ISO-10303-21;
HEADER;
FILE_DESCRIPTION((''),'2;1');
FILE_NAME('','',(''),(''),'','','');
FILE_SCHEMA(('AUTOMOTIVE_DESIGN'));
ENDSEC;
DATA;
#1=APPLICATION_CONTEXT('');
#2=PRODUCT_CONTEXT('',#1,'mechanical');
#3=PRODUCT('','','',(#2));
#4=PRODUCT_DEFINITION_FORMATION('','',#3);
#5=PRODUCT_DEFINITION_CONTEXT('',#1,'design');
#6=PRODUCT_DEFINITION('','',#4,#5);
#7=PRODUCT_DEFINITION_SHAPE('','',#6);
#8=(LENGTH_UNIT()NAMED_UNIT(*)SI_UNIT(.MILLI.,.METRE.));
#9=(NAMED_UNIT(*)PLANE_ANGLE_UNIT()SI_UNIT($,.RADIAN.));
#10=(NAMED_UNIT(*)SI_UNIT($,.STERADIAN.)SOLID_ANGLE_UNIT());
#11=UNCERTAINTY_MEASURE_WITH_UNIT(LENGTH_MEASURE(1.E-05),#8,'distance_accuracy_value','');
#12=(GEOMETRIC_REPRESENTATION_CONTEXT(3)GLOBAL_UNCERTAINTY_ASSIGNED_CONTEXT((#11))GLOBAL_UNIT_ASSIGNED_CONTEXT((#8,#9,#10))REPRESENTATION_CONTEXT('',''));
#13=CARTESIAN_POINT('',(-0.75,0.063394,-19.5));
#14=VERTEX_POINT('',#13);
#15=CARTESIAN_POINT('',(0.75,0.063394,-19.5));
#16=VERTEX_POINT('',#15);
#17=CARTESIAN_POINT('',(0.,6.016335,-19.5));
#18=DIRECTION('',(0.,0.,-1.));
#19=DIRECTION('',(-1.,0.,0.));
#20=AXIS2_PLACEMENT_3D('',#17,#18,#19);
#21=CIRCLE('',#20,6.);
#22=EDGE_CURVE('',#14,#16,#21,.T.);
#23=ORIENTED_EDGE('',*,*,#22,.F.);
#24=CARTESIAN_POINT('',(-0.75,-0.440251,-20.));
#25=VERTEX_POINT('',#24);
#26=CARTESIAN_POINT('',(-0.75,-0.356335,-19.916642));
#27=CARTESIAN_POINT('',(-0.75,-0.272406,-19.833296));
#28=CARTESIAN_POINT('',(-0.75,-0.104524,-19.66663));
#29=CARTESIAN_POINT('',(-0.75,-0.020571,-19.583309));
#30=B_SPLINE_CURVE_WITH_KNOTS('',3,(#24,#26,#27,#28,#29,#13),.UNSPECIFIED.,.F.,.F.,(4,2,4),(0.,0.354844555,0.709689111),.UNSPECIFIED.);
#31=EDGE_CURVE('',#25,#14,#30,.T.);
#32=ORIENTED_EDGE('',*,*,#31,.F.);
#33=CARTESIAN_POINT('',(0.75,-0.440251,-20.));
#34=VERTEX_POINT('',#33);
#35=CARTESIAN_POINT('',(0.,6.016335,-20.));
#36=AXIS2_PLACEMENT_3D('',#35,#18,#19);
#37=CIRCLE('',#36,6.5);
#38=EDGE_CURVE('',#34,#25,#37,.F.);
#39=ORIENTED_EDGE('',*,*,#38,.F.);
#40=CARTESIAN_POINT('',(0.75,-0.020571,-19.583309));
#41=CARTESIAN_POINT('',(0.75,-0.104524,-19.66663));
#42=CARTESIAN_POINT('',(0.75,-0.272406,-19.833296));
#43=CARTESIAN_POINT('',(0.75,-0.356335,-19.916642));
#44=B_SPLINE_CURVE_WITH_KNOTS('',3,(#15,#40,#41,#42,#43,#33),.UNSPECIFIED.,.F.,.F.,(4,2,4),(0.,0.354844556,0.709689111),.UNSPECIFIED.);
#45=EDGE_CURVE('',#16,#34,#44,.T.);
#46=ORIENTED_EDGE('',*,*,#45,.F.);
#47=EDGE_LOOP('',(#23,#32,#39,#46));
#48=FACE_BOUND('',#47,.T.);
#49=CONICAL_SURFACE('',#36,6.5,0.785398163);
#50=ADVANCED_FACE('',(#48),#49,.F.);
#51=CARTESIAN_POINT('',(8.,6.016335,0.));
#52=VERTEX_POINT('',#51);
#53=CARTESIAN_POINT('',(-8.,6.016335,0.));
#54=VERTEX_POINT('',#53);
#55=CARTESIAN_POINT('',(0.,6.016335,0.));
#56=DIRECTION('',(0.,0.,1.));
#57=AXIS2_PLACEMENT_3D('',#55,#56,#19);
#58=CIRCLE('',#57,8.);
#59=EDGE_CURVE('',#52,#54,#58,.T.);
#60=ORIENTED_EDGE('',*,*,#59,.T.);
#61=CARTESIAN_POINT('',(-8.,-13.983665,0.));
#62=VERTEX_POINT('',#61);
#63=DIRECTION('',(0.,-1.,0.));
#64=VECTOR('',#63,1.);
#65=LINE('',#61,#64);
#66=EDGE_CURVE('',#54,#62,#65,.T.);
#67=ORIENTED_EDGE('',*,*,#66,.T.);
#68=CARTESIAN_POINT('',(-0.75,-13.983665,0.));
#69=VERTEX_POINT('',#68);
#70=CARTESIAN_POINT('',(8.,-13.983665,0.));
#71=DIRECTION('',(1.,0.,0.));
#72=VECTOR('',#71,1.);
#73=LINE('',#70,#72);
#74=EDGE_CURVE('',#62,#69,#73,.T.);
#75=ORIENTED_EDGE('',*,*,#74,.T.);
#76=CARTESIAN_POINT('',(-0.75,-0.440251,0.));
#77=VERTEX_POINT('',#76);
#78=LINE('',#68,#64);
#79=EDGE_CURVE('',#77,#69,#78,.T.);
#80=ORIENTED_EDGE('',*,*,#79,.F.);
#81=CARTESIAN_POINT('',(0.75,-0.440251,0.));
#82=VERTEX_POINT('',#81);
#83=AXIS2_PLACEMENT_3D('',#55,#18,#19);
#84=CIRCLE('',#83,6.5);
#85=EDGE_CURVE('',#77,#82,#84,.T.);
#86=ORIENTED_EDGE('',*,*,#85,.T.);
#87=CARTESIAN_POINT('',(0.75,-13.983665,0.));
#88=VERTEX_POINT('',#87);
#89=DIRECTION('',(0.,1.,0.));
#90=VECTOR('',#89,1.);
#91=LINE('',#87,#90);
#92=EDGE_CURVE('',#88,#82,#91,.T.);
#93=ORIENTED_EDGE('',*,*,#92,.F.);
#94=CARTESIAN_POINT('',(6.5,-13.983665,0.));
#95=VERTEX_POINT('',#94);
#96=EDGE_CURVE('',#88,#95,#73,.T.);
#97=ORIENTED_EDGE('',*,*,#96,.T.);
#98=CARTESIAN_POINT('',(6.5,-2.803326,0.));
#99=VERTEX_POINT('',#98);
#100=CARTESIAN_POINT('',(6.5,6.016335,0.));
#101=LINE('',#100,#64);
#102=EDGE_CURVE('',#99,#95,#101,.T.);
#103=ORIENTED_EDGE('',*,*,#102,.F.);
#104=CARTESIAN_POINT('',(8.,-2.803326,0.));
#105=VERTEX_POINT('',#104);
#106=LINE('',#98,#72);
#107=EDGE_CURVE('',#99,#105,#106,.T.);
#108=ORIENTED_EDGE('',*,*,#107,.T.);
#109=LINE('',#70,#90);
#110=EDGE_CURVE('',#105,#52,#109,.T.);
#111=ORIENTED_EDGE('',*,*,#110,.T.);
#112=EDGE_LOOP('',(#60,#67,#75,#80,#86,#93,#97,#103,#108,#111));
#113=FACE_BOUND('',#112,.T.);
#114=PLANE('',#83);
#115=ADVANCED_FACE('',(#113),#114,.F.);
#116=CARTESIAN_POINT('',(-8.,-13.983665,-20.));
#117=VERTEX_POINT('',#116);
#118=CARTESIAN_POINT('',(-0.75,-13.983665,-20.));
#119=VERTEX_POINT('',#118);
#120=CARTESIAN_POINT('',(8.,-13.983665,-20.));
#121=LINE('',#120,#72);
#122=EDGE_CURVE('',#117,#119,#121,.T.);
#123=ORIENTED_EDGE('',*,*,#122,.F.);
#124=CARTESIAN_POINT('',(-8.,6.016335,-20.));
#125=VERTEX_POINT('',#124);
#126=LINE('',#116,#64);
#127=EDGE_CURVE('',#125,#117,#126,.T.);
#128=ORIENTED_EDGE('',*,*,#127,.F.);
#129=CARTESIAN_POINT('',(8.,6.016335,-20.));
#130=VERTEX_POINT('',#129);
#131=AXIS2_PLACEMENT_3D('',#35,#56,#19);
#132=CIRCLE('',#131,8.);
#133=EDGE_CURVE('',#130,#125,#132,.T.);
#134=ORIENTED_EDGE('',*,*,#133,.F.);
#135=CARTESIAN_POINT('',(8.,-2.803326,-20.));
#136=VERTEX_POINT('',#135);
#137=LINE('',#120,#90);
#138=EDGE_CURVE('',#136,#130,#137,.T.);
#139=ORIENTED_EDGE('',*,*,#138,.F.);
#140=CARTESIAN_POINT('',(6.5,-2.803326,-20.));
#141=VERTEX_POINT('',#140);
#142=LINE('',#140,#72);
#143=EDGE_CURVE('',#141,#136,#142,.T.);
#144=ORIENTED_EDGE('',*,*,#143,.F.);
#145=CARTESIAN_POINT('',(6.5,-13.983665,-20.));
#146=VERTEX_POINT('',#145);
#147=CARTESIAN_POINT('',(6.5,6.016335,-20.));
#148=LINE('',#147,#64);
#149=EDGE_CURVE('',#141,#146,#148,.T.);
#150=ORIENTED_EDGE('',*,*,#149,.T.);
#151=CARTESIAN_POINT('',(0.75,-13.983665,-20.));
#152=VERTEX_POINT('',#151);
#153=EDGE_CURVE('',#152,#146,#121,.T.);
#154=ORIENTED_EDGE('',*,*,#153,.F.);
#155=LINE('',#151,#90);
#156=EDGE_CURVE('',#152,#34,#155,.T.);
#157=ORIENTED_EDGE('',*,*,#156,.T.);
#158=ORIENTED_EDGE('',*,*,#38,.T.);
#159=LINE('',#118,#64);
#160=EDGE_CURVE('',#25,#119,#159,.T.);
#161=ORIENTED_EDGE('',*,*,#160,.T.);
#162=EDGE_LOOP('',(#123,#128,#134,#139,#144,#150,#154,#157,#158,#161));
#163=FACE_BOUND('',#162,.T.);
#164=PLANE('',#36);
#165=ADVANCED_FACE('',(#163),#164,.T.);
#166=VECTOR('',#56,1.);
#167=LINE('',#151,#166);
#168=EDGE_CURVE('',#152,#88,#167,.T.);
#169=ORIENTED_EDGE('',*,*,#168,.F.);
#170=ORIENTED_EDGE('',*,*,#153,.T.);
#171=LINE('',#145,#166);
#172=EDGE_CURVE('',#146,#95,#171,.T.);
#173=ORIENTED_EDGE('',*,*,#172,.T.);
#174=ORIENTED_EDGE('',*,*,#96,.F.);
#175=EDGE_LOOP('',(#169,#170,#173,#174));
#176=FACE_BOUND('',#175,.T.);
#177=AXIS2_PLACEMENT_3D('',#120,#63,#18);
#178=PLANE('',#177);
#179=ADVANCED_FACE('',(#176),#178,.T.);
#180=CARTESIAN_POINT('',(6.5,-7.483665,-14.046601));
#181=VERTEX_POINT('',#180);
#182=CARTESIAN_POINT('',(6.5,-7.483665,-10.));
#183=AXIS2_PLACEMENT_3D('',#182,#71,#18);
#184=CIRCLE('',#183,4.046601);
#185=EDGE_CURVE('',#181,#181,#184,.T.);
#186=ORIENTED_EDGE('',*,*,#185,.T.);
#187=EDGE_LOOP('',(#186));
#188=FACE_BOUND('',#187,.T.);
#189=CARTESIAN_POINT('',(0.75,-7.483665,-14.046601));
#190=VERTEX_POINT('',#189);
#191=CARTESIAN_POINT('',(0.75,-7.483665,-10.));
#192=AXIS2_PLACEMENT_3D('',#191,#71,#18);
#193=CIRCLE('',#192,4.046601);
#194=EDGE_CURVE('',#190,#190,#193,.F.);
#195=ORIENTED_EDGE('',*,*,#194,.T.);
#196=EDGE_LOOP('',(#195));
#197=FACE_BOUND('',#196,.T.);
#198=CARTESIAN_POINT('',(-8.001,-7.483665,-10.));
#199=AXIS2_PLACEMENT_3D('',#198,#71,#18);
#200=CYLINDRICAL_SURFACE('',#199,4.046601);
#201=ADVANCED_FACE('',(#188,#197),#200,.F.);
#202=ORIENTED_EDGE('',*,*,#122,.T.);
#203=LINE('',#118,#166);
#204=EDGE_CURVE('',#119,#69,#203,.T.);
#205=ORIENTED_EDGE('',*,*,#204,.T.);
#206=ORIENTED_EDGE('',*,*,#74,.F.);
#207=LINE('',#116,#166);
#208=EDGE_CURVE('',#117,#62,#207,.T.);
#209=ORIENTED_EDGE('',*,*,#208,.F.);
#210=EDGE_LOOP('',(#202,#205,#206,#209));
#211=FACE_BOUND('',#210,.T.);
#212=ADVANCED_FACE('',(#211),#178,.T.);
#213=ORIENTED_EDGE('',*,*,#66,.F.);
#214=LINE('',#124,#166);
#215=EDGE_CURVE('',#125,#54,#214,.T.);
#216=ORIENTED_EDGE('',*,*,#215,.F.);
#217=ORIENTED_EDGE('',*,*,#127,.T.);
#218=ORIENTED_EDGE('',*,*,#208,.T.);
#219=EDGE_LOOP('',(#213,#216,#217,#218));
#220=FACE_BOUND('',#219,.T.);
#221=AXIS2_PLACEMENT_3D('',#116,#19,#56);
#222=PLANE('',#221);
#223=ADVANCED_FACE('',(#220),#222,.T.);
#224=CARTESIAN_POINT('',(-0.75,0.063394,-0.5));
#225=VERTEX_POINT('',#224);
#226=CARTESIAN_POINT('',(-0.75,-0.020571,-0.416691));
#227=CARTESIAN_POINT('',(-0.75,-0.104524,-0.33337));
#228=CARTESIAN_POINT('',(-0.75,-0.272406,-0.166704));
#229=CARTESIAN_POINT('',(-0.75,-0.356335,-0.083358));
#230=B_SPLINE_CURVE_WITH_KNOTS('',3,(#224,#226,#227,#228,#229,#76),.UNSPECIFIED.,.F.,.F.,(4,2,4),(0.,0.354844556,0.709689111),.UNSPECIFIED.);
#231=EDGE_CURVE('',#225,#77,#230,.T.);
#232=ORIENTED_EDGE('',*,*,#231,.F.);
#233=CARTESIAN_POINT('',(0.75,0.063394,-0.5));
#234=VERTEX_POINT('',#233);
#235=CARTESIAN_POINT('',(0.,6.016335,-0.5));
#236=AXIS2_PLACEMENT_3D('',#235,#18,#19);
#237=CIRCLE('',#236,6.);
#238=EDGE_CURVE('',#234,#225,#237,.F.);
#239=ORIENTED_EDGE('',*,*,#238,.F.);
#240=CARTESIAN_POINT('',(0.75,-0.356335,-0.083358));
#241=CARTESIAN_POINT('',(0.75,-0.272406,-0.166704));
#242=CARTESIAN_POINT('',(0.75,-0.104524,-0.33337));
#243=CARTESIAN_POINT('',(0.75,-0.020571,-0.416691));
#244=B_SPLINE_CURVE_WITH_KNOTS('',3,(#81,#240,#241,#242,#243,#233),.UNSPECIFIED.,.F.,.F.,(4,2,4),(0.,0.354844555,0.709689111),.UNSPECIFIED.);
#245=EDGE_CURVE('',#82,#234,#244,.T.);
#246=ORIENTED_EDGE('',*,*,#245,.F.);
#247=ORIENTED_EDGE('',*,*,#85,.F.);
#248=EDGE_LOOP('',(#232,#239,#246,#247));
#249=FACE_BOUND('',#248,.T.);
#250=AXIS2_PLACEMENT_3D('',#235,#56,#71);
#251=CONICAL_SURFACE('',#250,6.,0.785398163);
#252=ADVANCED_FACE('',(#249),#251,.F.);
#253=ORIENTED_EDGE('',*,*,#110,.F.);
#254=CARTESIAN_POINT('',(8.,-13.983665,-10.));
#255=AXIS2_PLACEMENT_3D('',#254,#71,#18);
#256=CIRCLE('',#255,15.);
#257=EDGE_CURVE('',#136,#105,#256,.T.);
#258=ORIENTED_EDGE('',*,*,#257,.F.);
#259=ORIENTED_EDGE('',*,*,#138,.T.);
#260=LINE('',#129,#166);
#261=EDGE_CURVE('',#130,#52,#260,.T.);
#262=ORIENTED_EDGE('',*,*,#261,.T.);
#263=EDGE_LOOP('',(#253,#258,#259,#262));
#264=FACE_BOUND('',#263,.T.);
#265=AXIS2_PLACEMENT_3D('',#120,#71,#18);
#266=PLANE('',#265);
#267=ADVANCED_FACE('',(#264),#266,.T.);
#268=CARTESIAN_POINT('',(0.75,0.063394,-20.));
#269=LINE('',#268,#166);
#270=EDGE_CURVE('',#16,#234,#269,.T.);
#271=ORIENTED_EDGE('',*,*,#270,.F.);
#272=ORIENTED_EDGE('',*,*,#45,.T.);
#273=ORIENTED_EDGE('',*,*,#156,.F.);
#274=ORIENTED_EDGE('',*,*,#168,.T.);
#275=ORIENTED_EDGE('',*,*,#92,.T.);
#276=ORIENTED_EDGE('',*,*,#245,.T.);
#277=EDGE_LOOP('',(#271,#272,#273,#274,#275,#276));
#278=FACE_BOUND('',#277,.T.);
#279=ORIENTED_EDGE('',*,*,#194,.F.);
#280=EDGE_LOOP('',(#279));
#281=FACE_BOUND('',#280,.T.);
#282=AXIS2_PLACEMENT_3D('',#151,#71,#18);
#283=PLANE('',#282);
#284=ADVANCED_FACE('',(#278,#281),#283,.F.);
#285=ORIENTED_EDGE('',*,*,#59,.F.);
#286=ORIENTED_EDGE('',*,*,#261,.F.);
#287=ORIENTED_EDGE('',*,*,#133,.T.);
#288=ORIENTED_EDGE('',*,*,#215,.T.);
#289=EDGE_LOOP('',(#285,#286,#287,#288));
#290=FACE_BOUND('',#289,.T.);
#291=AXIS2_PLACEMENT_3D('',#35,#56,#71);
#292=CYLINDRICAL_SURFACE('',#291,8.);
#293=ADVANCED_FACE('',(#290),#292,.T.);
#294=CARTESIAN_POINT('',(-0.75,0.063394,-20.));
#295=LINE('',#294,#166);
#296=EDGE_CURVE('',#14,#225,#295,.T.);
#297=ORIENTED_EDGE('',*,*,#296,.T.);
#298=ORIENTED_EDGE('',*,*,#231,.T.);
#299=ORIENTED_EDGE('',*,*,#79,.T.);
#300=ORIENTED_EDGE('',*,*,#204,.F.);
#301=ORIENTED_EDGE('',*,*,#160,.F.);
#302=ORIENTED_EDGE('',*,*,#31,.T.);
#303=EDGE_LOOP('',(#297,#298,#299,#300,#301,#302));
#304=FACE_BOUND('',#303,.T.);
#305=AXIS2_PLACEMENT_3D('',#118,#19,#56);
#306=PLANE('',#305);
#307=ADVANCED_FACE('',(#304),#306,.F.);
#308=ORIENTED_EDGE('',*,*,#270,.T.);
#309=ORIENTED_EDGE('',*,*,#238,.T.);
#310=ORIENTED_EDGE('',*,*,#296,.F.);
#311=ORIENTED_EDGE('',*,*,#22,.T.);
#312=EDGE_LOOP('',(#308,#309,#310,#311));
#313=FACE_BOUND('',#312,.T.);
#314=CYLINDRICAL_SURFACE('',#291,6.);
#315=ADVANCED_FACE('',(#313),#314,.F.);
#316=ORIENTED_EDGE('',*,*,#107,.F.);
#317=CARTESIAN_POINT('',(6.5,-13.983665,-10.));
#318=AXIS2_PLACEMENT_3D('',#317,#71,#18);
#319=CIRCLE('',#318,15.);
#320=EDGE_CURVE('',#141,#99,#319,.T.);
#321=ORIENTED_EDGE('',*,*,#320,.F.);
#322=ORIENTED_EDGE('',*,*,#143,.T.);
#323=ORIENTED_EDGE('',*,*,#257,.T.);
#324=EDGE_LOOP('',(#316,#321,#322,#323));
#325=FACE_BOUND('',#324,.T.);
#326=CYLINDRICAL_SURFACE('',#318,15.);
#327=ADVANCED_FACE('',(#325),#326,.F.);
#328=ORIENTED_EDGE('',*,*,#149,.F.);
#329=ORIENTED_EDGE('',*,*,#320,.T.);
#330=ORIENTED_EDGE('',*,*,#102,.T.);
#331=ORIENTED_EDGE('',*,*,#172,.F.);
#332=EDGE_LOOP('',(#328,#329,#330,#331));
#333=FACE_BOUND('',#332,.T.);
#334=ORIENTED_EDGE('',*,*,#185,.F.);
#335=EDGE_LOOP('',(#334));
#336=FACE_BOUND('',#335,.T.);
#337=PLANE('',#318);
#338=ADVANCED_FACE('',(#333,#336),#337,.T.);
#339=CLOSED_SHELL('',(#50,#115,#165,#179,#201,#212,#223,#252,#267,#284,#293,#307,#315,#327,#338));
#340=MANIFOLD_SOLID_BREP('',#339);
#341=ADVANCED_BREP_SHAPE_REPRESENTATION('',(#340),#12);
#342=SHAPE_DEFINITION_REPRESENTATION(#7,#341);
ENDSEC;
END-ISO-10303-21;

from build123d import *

# Parameters (mm, degrees)
ESTRUSIONE_ESTRUSIONE1_DEPTH = 20
SCHIZZO3_R                   = 6
TAGLIO_ESTRUSIONE1_DEPTH     = 26.699370322
SCHIZZO4_W                   = 1.5
SCHIZZO4_H                   = 14.04705955
TAGLIO_ESTRUSIONE2_DEPTH     = 26.699370322
SCHIZZO5_R                   = 15
TAGLIO_ESTRUSIONE3_DEPTH     = 1.5
TAGLIO_ESTRUSIONE4_REACH     = 30.403
SCHIZZO6_R                   = 4.046600507
SMUSSO2_SIZE                 = 0.5
SMUSSO3_SIZE                 = 0.5


with BuildPart() as part:
    # Schizzo2 → Estrusione-Estrusione1 (new body)
    with BuildSketch(Plane.XY):
        with BuildLine():
            Line((8, -13.983665425), (-8, -13.983665425))
            Line((-8, -13.983665425), (-8, 6.016334575))
            ThreePointArc((-8, 6.016334575), (0, 14.016334575), (8, 6.016334575))
            Line((8, 6.016334575), (8, -13.983665425))
        make_face()
    extrude(amount=-ESTRUSIONE_ESTRUSIONE1_DEPTH)

    # Schizzo3 → Taglio-Estrusione1 (cut, through all)
    with BuildSketch(Plane.XY):
        with Locations((0, 6.016334575)):
            Circle(SCHIZZO3_R)
    extrude(amount=-TAGLIO_ESTRUSIONE1_DEPTH, mode=Mode.SUBTRACT)

    # Schizzo4 → Taglio-Estrusione2 (cut, through all)
    with BuildSketch(Plane.XY):
        with Locations((0, -6.96013565)):
            Rectangle(SCHIZZO4_W, SCHIZZO4_H)
    extrude(amount=-TAGLIO_ESTRUSIONE2_DEPTH, mode=Mode.SUBTRACT)

    # Schizzo5 → Taglio-Estrusione3 (cut)
    with BuildSketch(Plane(origin=(8, 0, 0), x_dir=(0, 0, -1), z_dir=(1, 0, 0))):
        with Locations((10, -13.983665425)):
            Circle(SCHIZZO5_R)
    extrude(amount=-TAGLIO_ESTRUSIONE3_DEPTH, mode=Mode.SUBTRACT)

    # Schizzo6 → Taglio-Estrusione4 (cut, up to next)
    with BuildSketch(Plane(origin=(6.5, 0, 0), x_dir=(0, 0, -1), z_dir=(1, 0, 0)), mode=Mode.PRIVATE) as taglio_estrusione4_sk1:
        with Locations((10, -7.483665425)):
            Circle(SCHIZZO6_R)
    taglio_estrusione4_tool1 = extrude(taglio_estrusione4_sk1.sketch, amount=-TAGLIO_ESTRUSIONE4_REACH, mode=Mode.PRIVATE) & part.part
    add(taglio_estrusione4_tool1.solids().sort_by_distance((6.5, -7.483665, -10))[0], mode=Mode.SUBTRACT)

    # Smusso2
    smusso2_edges = [part.edges().sort_by_distance(p)[0] for p in [
        (0, 12.016334575, 0),
    ]]
    chamfer(smusso2_edges, length=SMUSSO2_SIZE)

    # Smusso3
    smusso3_edges = [part.edges().sort_by_distance(p)[0] for p in [
        (0, 12.016334575, -20),
    ]]
    chamfer(smusso3_edges, length=SMUSSO3_SIZE)


solid = part.part
